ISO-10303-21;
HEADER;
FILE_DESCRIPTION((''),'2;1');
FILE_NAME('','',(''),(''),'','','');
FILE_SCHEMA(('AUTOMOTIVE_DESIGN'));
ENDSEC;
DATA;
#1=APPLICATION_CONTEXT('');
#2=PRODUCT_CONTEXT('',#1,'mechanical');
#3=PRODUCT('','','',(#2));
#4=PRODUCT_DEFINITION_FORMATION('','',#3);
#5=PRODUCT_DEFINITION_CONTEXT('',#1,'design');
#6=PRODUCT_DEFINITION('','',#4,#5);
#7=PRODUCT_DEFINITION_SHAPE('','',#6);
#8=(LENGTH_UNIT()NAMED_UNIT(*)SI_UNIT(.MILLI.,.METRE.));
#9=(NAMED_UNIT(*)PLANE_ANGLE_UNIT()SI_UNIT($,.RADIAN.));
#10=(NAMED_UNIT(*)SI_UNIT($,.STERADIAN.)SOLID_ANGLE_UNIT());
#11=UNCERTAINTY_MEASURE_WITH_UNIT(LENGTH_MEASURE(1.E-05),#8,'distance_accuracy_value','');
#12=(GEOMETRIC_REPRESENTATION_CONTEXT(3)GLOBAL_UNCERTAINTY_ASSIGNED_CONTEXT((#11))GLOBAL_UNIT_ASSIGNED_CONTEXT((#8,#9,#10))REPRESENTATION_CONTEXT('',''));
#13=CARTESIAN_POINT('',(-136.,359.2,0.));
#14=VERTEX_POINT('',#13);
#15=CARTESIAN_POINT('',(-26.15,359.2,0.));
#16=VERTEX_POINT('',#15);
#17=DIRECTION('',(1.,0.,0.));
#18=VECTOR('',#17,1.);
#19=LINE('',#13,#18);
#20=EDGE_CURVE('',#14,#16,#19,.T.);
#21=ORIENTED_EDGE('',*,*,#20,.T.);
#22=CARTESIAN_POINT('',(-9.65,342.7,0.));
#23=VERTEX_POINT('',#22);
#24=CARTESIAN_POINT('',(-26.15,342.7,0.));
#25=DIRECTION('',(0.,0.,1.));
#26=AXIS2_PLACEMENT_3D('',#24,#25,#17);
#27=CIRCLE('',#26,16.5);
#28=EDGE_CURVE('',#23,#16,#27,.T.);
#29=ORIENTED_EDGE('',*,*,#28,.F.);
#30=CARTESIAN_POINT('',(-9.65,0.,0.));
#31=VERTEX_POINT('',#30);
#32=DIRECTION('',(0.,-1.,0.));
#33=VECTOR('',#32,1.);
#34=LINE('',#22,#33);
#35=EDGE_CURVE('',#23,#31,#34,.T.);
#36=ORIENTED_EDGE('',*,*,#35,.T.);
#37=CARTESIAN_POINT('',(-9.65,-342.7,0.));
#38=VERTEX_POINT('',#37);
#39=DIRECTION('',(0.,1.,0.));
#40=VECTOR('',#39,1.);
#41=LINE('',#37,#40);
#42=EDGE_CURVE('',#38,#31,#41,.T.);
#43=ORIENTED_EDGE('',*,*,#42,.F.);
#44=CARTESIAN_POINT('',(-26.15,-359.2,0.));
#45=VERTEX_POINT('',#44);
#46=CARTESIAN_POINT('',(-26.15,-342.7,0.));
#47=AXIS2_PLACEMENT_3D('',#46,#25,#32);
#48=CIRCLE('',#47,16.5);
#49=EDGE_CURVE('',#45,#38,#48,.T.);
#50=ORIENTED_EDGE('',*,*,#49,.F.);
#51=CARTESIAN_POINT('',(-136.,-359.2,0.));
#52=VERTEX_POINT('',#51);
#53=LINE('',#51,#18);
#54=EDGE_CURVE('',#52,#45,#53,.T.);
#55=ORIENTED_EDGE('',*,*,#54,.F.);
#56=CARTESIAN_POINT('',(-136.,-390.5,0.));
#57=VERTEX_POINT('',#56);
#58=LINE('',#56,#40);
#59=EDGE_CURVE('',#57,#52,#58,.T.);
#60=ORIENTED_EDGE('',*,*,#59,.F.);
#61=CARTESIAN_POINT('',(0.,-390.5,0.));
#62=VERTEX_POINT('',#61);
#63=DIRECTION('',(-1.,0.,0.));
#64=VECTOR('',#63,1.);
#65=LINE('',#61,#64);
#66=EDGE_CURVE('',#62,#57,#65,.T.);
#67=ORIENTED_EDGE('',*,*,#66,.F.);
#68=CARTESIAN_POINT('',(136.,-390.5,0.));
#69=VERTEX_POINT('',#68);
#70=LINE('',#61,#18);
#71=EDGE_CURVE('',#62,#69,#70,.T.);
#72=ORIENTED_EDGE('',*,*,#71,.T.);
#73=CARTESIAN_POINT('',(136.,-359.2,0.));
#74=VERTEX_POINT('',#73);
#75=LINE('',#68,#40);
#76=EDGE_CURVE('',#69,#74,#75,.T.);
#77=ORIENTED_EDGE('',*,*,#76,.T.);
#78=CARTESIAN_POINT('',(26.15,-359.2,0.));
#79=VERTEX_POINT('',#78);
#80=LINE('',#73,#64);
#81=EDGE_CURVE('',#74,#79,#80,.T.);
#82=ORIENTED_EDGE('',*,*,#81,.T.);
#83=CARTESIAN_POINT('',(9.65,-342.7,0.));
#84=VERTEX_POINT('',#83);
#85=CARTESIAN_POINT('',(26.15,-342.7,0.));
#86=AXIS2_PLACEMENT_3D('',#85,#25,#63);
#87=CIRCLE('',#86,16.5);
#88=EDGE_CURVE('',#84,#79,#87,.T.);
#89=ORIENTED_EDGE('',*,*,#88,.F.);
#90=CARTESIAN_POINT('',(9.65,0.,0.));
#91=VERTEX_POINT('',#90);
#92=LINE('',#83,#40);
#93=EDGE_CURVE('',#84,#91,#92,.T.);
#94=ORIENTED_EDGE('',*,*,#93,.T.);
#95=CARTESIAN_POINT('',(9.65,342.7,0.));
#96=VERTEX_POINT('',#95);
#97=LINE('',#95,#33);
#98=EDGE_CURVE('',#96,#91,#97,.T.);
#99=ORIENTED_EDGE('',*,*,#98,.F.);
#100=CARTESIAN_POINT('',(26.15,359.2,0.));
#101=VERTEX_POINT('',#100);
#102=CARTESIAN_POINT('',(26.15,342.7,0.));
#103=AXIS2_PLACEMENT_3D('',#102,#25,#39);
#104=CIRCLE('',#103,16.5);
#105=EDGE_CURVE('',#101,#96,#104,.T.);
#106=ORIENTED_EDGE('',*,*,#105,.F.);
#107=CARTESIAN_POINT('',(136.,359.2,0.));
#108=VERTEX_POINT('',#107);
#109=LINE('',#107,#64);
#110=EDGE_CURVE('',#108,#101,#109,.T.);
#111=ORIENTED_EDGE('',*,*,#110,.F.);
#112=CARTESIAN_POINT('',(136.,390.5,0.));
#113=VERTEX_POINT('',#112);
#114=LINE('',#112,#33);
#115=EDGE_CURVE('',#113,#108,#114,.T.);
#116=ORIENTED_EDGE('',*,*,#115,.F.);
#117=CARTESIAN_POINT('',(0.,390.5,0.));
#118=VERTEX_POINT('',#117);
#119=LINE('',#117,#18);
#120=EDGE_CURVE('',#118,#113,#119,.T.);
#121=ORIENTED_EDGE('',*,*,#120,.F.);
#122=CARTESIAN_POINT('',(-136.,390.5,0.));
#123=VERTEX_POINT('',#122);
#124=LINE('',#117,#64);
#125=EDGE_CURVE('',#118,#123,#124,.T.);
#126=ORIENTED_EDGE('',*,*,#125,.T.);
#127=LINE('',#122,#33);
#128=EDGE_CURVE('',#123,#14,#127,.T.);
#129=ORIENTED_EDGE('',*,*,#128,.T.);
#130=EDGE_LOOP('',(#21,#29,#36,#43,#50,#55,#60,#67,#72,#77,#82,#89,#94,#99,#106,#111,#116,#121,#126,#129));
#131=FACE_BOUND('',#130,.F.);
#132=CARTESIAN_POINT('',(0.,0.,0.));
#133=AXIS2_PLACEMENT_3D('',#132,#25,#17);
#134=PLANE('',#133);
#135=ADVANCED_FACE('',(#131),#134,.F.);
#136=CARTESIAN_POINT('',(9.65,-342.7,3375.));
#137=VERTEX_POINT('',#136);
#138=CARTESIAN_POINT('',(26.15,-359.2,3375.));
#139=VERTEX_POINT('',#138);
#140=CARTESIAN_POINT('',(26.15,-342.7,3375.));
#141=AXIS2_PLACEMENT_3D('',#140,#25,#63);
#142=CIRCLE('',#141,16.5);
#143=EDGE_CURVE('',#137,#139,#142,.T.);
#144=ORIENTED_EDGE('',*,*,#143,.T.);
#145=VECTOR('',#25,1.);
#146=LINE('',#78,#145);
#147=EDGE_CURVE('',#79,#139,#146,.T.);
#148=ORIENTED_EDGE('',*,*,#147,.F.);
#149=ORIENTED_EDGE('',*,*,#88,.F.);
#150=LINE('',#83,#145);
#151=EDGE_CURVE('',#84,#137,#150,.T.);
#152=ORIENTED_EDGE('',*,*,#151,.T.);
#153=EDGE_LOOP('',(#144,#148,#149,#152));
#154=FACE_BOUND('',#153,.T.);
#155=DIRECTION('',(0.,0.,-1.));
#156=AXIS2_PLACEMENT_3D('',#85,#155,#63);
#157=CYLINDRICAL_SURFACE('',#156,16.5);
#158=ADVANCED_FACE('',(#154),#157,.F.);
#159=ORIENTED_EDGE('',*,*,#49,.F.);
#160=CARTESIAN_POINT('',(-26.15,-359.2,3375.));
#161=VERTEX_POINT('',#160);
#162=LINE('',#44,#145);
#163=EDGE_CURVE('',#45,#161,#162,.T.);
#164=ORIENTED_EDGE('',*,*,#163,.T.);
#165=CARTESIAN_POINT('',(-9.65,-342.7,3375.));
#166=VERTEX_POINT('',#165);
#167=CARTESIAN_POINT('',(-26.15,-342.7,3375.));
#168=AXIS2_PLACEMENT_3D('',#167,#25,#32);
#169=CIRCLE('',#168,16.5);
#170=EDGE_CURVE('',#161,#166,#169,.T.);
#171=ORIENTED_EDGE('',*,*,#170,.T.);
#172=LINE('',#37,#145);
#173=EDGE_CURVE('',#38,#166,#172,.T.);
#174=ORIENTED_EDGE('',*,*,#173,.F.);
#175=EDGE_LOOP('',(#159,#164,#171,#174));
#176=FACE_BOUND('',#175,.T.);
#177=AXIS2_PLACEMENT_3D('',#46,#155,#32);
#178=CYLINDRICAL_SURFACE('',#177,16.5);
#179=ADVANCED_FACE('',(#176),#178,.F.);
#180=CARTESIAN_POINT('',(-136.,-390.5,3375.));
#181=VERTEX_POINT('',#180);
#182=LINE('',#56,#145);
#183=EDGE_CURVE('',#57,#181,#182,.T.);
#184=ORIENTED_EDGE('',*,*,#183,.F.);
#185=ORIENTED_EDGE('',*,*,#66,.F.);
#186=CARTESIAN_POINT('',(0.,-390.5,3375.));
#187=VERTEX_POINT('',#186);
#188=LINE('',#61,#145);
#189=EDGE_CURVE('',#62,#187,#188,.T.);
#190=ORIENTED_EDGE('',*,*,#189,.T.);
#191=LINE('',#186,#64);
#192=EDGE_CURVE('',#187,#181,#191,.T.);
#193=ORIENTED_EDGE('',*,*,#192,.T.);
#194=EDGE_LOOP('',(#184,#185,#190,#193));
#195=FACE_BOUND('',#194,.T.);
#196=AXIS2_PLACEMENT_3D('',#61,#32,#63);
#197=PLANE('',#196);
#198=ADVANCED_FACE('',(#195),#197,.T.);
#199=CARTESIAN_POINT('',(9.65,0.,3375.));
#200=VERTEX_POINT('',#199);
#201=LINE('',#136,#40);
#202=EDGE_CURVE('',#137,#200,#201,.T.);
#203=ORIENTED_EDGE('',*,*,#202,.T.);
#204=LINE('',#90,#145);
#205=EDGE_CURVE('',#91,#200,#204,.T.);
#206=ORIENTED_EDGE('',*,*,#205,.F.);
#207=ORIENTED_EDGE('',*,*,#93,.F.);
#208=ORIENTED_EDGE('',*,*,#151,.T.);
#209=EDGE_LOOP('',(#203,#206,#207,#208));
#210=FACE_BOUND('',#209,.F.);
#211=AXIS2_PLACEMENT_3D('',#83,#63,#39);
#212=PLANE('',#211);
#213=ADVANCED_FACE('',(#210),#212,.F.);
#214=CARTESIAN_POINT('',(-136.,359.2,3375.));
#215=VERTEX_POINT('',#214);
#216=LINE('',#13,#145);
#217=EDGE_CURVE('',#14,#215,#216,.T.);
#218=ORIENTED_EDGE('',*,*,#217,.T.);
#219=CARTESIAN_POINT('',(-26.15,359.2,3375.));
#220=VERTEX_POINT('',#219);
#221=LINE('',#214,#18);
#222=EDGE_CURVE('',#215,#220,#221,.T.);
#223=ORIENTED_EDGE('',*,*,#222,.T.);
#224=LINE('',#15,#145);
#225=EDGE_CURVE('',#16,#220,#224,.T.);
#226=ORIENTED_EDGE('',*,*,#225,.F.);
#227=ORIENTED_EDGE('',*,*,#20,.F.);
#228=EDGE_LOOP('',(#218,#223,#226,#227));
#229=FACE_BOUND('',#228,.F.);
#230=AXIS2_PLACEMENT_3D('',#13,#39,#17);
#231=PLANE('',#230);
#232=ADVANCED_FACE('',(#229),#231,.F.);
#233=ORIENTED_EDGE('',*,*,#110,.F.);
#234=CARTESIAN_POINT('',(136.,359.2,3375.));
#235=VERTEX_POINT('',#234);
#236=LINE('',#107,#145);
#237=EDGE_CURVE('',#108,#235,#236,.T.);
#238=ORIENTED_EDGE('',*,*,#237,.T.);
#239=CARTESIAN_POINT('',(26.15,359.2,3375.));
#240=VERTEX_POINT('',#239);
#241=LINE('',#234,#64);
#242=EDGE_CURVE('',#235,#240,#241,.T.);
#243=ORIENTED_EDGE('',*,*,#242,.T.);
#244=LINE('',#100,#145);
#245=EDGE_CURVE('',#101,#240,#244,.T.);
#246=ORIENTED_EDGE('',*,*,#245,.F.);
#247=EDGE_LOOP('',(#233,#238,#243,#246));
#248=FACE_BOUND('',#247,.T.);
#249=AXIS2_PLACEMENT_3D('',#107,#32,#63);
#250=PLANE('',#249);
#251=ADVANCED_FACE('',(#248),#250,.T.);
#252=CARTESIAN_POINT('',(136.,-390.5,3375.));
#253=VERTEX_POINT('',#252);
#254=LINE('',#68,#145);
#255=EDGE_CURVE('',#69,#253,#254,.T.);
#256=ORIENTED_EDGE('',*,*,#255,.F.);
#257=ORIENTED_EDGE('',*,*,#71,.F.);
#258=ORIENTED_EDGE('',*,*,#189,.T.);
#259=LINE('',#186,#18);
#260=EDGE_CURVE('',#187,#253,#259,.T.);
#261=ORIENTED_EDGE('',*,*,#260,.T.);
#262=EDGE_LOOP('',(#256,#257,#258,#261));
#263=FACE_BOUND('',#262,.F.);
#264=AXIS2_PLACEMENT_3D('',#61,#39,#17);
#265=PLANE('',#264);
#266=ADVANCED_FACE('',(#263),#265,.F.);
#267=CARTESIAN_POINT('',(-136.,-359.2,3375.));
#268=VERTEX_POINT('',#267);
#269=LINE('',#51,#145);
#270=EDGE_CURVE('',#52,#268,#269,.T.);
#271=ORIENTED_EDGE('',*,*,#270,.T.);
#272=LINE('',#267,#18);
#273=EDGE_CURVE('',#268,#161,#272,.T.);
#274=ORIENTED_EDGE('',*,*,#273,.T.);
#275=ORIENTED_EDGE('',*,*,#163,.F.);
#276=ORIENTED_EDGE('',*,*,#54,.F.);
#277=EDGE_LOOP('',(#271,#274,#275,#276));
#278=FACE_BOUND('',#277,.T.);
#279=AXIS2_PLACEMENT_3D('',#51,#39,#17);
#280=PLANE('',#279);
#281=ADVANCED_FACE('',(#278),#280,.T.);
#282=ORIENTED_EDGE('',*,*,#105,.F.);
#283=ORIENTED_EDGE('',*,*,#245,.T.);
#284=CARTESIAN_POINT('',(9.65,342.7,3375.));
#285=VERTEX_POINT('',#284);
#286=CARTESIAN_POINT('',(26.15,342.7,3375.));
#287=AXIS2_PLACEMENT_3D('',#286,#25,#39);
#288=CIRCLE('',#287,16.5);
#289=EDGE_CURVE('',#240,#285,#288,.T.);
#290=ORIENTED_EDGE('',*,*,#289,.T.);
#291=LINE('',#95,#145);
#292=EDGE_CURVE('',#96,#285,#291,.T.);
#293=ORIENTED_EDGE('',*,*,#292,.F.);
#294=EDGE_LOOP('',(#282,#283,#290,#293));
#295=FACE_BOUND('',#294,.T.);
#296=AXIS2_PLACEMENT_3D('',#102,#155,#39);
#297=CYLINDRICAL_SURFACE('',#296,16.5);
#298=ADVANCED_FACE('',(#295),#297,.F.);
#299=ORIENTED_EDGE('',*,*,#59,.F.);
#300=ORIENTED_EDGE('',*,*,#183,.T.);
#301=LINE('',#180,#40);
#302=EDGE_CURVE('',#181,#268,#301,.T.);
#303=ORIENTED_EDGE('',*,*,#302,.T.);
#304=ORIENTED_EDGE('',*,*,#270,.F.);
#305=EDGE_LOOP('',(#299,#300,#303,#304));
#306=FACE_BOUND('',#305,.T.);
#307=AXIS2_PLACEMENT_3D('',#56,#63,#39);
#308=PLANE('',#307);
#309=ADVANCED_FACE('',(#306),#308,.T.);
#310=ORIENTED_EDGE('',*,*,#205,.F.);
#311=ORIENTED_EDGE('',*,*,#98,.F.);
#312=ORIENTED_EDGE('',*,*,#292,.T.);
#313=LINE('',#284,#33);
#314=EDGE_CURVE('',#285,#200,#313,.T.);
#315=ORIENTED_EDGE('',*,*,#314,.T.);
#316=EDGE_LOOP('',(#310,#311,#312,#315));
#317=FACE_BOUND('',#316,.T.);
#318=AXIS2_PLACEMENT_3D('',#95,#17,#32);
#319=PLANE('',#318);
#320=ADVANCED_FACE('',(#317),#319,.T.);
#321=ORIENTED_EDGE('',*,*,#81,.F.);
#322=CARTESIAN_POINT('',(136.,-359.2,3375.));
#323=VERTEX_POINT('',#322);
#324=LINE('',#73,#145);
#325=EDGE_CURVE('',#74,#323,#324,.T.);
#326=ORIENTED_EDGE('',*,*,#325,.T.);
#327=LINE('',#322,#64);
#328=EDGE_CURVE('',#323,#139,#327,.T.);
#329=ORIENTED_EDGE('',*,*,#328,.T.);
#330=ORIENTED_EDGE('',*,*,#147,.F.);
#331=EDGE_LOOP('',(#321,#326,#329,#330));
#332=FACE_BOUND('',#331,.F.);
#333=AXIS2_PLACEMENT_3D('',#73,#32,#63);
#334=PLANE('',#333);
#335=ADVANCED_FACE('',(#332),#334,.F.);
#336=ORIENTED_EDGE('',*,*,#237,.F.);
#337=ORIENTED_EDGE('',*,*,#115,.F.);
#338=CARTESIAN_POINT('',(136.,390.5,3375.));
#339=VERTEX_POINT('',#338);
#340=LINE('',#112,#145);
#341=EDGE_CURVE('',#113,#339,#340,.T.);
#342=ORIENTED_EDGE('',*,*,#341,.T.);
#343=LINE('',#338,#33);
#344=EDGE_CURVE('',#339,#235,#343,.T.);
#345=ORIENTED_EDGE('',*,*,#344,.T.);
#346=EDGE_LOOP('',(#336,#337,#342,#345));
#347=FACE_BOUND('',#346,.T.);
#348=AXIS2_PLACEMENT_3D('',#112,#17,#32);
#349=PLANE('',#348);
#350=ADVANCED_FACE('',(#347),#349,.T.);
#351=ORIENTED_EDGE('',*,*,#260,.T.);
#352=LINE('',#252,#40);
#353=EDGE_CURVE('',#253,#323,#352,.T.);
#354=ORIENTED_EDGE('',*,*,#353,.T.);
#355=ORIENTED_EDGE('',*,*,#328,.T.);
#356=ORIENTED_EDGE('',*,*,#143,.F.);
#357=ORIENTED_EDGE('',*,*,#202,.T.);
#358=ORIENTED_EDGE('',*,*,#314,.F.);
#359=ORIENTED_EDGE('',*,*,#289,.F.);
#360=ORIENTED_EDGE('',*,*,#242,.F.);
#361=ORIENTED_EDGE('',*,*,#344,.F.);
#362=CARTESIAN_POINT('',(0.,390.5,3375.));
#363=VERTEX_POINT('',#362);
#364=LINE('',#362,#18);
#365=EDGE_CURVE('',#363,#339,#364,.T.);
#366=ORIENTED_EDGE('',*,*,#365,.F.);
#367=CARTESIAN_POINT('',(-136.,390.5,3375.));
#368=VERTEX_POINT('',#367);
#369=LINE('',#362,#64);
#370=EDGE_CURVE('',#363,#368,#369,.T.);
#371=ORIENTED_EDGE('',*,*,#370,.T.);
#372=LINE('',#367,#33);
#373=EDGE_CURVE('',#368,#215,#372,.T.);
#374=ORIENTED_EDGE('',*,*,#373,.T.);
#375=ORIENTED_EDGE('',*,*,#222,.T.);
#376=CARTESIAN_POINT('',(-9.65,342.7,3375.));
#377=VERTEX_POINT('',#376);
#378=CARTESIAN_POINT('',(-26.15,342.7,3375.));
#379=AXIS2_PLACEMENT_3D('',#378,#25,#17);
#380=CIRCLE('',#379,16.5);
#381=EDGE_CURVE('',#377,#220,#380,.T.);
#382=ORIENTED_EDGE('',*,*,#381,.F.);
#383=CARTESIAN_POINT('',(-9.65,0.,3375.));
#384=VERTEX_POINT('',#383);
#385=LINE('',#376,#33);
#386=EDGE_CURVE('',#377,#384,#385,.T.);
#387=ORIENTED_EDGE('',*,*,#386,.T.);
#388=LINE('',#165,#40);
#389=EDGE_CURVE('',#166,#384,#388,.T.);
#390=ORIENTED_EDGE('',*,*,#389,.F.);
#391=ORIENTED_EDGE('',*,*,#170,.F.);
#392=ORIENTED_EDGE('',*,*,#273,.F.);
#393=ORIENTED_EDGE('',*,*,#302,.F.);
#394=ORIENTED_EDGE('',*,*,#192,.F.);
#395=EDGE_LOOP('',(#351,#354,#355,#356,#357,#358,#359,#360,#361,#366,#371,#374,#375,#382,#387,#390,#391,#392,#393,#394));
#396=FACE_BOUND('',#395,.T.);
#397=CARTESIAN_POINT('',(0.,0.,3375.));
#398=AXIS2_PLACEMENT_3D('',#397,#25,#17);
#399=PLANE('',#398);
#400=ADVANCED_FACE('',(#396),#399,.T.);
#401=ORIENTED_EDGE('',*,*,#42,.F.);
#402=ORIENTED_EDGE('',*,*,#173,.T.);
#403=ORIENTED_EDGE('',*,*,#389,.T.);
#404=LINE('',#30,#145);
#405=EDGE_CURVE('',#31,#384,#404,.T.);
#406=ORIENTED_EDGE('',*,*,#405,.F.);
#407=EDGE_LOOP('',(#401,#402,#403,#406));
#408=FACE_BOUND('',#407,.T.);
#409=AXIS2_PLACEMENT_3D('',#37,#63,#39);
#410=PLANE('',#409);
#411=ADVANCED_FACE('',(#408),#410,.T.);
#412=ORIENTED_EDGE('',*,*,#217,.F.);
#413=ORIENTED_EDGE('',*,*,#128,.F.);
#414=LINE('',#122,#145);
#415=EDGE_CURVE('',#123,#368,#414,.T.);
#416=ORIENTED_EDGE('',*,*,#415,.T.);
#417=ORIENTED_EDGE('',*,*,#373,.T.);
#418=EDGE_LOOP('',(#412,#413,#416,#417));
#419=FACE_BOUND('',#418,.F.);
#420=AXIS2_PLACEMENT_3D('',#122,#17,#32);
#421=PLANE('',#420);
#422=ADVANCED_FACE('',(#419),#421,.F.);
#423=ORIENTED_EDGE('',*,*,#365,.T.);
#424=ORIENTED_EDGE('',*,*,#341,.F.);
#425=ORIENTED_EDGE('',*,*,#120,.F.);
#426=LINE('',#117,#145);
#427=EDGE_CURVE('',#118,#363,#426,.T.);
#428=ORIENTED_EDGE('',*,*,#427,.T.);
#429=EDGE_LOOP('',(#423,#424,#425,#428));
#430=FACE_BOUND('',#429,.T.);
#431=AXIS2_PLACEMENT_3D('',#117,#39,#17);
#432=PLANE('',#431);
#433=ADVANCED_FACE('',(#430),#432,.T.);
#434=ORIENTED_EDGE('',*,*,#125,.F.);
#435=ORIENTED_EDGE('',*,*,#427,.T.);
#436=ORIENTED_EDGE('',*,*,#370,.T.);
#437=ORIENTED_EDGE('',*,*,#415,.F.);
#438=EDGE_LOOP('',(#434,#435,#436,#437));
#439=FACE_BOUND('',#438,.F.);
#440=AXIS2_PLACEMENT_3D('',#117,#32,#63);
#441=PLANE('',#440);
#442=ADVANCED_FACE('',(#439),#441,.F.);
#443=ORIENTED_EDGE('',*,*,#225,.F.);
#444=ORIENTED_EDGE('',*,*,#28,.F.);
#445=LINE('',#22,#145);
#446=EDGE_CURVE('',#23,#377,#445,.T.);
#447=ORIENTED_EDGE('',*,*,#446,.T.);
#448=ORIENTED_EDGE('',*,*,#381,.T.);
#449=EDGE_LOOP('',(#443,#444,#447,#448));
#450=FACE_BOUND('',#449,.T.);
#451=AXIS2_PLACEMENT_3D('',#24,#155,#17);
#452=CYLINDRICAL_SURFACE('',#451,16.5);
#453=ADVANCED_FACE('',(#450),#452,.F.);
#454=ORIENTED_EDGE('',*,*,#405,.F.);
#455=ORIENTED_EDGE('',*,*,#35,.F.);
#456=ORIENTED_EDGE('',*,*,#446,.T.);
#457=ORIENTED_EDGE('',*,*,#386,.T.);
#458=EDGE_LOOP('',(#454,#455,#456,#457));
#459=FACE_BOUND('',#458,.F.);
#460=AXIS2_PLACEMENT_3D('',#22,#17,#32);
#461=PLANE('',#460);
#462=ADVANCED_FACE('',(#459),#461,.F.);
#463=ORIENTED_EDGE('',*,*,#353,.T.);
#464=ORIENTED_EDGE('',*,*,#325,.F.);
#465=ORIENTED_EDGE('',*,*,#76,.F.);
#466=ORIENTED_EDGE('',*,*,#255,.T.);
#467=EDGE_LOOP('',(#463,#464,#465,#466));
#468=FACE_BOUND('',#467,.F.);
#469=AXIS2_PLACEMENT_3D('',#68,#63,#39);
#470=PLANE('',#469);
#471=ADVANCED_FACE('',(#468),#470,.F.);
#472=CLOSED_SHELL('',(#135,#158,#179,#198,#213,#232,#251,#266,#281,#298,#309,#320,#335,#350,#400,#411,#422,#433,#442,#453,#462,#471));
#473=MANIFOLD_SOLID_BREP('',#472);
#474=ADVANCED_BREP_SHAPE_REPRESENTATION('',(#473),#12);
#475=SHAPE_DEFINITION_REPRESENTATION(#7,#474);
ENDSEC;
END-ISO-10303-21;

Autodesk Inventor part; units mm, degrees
ref_plane "YZ Plane" through (0, 0, 0) normal (1, 0, 0) x (0, 1, 0)
ref_plane "Start plane" through (0, 0, 0) normal (0, 0, 1) x (1, 0, 0)
ref_plane "End plane" through (0, 0, 3375) normal (0, 0, 1) x (1, 0, 0)
sketch "Sketch" plane through (0, 0, 0) normal (0, 0, 1) x (1, 0, 0)
  line L0 (-136, -390.5) -> (-136, -359.2)
  line L1 (-136, -359.2) -> (-26.15, -359.2)
  line L2 (-9.65, -342.7) -> (-9.65, 0)
  line L3 (-9.65, 0) -> (0, 0) construction
  line L4 (0, 0) -> (0, -390.5) construction
  line L5 (0, -390.5) -> (-136, -390.5)
  line L6 (-60, 0) -> (80, 0) construction
  line L7 (0, -60) -> (0, 80) construction
  line L8 (136, -390.5) -> (136, -359.2)
  line L9 (136, -359.2) -> (26.15, -359.2)
  line L10 (9.65, -342.7) -> (9.65, 0)
  line L11 (9.65, 0) -> (0, 0) construction
  line L12 (0, -390.5) -> (136, -390.5)
  line L13 (-136, 390.5) -> (-136, 359.2)
  line L14 (-136, 359.2) -> (-26.15, 359.2)
  line L15 (-9.65, 342.7) -> (-9.65, 0)
  line L16 (0, 390.5) -> (-136, 390.5)
  line L17 (136, 390.5) -> (136, 359.2)
  line L18 (136, 359.2) -> (26.15, 359.2)
  line L19 (0, 390.5) -> (136, 390.5)
  line L20 (9.65, 342.7) -> (9.65, 0)
  arc A0 (-9.65, 342.7) -> (-26.15, 359.2) centre (-26.15, 342.7) ccw
  arc A1 (26.15, 359.2) -> (9.65, 342.7) centre (26.15, 342.7) ccw
  arc A2 (9.65, -342.7) -> (26.15, -359.2) centre (26.15, -342.7) ccw
  arc A3 (-26.15, -359.2) -> (-9.65, -342.7) centre (-26.15, -342.7) ccw
  line L21 (0, 108) -> (0, -88) construction
  line L22 (-88, 0) -> (108, 0) construction
  point P0 (-9.65, -359.2)
  point P1 (9.65, -359.2)
  point P2 (-9.65, 359.2)
  point P3 (9.65, 359.2)
  dimension "d1" = 390.5
  dimension "d2" = 31.3
  dimension "d3" = 136
  dimension "d4" = 9.65
  dimension "d10" = 16.5
extrude "Body" add sketch "Sketch" along normal up to surface (3375 mm away) from surface at 0
sketch "Sketch4" plane through (0, 0, 0) normal (0, 0, 1) x (1, 0, 0)
  line L0 (0, 0) -> (10, 0)
ref_plane "Work Plane3" through (0, 0, 0) normal (0, -1, 0) x (1, 0, 0)
sketch "Sketch5" plane through (0, 0, 0) normal (0, -1, 0) x (1, 0, 0)
  line L0 (-2, 0) -> (12, 0) projected
  line L1 (-2, 3375) -> (12, 3375) projected
  dimension "d14" = 3375
equation "\"d1\" = 0.5 * G_H"
equation "\"d2\" = G_T1"
equation "\"d3\" = 0.5 * G_W"
equation "\"d4\" = 0.5 * G_T"
equation "\"d10\" = G_IR"
equation "\"d5\" = G_L"
equation "\"G_W\" = 272"
equation "\"G_H\" = 781"
equation "\"G_T\" = 19.3"
equation "\"G_T1\" = 31.3"
equation "\"G_IR\" = 16.5"
equation "\"G_L\" = d14"
equation "\"G_OFFSET_START\" = 0"
equation "\"G_OFFSET_END\" = 0"
equation "\"d12\" = G_OFFSET_END + B_L"
equation "\"B_L\" = 3375"
properties part number "AS 3679-1990 - 760 UB - 244 - 3375" material "Steel, Mild"
